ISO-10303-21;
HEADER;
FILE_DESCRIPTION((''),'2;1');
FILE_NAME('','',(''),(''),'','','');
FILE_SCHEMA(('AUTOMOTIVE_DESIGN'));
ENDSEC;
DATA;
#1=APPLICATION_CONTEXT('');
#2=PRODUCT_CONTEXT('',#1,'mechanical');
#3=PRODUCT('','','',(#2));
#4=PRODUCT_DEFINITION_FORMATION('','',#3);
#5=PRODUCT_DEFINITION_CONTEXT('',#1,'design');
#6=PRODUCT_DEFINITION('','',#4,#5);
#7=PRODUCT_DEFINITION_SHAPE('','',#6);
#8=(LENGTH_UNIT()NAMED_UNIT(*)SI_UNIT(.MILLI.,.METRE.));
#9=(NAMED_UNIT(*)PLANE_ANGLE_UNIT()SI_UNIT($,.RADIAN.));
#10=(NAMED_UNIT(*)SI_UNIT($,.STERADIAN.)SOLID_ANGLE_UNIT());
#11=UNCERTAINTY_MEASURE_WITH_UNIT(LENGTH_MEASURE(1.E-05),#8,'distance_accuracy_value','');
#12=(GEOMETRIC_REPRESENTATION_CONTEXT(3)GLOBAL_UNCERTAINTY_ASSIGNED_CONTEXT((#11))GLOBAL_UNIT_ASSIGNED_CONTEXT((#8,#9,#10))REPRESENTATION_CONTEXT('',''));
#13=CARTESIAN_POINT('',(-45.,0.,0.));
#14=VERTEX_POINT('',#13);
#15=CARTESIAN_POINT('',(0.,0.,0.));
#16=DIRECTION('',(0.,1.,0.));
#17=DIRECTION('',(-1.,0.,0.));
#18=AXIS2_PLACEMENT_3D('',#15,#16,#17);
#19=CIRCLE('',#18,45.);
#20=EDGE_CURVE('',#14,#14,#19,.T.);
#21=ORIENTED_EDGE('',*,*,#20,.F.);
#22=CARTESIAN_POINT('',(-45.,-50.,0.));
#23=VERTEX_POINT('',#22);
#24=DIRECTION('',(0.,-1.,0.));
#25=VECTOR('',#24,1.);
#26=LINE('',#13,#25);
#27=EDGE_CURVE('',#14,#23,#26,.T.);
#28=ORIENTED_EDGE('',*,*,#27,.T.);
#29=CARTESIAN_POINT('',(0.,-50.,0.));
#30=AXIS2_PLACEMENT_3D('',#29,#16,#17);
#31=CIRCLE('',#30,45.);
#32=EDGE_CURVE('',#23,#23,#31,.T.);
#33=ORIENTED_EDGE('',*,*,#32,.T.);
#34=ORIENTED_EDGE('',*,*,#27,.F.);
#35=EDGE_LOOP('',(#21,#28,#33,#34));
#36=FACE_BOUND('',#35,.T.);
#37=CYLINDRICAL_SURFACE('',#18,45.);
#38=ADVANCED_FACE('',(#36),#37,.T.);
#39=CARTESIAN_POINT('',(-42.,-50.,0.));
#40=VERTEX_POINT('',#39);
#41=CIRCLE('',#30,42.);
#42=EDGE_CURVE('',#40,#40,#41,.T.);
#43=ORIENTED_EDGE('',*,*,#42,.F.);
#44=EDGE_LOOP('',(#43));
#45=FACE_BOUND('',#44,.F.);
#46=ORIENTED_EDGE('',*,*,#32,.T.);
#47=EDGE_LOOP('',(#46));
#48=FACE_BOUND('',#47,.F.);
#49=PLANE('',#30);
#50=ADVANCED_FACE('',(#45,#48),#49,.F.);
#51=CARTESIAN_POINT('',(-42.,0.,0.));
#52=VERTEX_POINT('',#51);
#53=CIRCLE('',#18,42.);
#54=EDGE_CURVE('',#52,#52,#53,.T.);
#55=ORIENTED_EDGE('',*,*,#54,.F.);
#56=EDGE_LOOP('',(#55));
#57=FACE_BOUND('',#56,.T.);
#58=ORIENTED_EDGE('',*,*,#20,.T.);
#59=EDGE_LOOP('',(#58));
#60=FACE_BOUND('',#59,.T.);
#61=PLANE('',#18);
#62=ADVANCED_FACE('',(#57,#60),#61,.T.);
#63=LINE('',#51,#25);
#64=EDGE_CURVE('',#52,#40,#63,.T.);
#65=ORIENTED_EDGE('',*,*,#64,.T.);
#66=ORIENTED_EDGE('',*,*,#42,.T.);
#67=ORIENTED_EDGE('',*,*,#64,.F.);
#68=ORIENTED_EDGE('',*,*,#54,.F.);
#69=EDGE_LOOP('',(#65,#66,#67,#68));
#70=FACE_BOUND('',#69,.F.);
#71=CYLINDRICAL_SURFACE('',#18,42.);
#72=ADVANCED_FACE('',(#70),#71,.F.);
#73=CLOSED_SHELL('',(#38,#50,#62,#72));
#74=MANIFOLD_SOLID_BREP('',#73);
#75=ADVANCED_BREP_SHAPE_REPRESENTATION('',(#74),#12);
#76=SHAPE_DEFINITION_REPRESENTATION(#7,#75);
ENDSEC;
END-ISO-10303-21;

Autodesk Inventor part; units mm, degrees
ref_plane "YZ Plane" through (0, 0, 0) normal (1, 0, 0) x (0, 1, 0)
ref_plane "XZ Plane" through (0, 0, 0) normal (0, 1, 0) x (-1, 0, 0)
ref_plane "XY Plane" through (0, 0, 0) normal (0, 0, 1) x (1, 0, 0)
sketch "Sketch1" plane through (0, 0, 0) normal (0, 1, 0) x (-1, 0, 0)
  circle A0 centre (0, 0) radius 45
  circle A1 centre (0, 0) radius 42
  dimension "d0" = 90
  dimension "d1" = 3
extrude "Extrusion1" add sketch "Sketch1" against normal blind 50
properties part number "TZS 1211 hatch tube 500mm" material "Steel"
